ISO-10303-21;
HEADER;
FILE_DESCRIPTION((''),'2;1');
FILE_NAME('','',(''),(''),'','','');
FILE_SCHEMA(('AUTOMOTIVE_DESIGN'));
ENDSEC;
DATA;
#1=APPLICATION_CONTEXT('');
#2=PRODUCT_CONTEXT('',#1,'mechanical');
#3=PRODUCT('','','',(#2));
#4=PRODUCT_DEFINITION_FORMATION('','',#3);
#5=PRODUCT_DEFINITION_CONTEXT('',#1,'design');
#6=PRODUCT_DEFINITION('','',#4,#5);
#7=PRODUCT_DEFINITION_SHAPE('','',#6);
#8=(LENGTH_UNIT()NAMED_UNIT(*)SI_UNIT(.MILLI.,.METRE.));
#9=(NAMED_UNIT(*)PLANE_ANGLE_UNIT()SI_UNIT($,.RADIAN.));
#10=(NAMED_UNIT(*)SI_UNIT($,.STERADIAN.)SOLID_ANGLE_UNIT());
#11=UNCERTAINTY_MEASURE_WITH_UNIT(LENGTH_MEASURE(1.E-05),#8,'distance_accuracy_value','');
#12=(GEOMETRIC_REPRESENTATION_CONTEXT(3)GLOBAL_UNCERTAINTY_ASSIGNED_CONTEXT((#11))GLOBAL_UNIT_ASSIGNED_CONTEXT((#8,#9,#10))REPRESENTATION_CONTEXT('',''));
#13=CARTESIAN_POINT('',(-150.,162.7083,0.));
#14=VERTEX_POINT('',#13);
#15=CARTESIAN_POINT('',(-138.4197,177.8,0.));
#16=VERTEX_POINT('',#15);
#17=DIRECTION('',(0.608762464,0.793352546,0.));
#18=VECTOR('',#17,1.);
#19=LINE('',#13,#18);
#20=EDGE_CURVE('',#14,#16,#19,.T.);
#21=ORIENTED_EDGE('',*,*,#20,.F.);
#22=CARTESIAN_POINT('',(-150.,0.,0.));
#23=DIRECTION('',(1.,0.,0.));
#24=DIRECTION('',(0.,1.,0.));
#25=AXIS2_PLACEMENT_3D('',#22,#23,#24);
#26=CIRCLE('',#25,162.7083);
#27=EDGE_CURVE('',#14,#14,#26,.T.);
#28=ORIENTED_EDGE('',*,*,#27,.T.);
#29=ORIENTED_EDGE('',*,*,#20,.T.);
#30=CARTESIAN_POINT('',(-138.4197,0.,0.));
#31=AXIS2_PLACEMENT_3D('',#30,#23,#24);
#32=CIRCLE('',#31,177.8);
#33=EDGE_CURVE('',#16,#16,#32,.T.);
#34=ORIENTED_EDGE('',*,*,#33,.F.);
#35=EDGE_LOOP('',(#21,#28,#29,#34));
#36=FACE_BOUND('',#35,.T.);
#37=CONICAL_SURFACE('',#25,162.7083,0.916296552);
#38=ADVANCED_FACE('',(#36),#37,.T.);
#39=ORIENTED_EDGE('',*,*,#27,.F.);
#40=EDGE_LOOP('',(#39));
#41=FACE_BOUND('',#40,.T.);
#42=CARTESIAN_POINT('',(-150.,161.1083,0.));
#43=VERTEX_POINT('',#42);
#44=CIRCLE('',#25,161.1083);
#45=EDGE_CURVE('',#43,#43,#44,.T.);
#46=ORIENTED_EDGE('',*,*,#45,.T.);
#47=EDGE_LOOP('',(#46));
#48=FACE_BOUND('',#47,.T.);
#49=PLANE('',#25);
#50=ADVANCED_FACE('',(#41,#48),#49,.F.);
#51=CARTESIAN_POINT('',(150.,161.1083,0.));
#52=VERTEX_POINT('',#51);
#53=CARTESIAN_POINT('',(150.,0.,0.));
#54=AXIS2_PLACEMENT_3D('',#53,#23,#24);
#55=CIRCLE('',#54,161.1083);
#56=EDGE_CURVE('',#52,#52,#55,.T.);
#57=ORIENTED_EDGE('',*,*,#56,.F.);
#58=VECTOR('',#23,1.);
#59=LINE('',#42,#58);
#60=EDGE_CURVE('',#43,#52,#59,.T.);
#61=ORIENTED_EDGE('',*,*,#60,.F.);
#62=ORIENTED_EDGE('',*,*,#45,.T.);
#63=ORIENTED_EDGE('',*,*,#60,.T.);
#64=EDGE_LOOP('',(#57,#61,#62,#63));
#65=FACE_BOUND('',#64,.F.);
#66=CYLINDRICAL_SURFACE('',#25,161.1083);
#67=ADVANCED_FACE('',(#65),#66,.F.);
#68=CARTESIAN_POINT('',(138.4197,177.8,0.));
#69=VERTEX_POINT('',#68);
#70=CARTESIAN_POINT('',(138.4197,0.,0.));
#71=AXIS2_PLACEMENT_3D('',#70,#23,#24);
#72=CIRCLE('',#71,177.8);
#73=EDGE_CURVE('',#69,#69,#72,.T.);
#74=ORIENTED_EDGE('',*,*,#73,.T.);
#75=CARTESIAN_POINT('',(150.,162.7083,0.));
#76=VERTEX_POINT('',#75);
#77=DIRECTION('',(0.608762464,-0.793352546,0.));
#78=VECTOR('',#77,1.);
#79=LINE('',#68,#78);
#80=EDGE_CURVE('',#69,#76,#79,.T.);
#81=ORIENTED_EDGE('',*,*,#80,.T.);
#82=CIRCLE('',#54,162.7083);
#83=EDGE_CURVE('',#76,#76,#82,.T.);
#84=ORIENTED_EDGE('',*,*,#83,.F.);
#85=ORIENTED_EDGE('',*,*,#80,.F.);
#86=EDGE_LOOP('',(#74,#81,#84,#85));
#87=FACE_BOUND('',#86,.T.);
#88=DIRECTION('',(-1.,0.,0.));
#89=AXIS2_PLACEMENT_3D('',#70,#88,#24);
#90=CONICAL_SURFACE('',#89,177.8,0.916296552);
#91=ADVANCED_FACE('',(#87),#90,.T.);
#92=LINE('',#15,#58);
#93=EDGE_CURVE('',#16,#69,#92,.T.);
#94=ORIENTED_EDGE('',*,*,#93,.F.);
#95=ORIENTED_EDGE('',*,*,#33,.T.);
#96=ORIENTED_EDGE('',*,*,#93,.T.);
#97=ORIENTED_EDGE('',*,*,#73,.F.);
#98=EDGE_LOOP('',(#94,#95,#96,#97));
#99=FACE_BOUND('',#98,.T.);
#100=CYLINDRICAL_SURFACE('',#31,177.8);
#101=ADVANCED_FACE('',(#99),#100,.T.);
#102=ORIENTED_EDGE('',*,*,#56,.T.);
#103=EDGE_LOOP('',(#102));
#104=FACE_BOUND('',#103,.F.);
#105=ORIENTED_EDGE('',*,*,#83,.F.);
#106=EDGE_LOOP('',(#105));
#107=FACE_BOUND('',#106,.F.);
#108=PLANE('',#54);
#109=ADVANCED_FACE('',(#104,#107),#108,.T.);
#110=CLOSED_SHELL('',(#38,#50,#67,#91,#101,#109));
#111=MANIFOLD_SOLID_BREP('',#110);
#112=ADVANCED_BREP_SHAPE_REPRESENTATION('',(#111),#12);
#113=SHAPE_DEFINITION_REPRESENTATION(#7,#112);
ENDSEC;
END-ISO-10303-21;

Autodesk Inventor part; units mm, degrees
ref_plane "YZ Plane" through (0, 0, 0) normal (1, 0, 0) x (0, 1, 0)
ref_plane "XZ Plane" through (0, 0, 0) normal (0, 1, 0) x (-1, 0, 0)
ref_plane "XY Plane" through (0, 0, 0) normal (0, 0, 1) x (1, 0, 0)
sketch "Sketch1" plane through (0, 0, 0) normal (0, 0, 1) x (1, 0, 0)
  line L0 (-498.0346, 0) -> (498.0346, 0)
  line L1 (-138.4197, 177.8) -> (138.4197, 177.8)
  line L2 (138.4197, 177.8) -> (150, 162.7083)
  line L3 (-150, 161.1083) -> (150, 161.1083)
  line L4 (150, 161.1083) -> (150, 162.7083)
  line L5 (-150, 161.1083) -> (-150, 162.7083)
  line L6 (-150, 162.7083) -> (-138.4197, 177.8)
  point P0 (0, 0)
  point P1 (0, 0)
  point P2 (0, 177.8)
  point P3 (0, 161.1083)
  dimension "d0" = 355.6
  dimension "d1" = 322.2165
  dimension "d2" = 1.6
  dimension "d3" = 37.5
  dimension "d5" = 1.6
  dimension "d6" = 37.5
  dimension "d7" = 300
revolve "Revolution1" add sketch "Sketch1" angle 360 about axis through (-498.0346, 0, 0) along (1, 0, 0)
properties part number "Rear Head Pipe" material "Steel ASTM A53 Gr.B"
